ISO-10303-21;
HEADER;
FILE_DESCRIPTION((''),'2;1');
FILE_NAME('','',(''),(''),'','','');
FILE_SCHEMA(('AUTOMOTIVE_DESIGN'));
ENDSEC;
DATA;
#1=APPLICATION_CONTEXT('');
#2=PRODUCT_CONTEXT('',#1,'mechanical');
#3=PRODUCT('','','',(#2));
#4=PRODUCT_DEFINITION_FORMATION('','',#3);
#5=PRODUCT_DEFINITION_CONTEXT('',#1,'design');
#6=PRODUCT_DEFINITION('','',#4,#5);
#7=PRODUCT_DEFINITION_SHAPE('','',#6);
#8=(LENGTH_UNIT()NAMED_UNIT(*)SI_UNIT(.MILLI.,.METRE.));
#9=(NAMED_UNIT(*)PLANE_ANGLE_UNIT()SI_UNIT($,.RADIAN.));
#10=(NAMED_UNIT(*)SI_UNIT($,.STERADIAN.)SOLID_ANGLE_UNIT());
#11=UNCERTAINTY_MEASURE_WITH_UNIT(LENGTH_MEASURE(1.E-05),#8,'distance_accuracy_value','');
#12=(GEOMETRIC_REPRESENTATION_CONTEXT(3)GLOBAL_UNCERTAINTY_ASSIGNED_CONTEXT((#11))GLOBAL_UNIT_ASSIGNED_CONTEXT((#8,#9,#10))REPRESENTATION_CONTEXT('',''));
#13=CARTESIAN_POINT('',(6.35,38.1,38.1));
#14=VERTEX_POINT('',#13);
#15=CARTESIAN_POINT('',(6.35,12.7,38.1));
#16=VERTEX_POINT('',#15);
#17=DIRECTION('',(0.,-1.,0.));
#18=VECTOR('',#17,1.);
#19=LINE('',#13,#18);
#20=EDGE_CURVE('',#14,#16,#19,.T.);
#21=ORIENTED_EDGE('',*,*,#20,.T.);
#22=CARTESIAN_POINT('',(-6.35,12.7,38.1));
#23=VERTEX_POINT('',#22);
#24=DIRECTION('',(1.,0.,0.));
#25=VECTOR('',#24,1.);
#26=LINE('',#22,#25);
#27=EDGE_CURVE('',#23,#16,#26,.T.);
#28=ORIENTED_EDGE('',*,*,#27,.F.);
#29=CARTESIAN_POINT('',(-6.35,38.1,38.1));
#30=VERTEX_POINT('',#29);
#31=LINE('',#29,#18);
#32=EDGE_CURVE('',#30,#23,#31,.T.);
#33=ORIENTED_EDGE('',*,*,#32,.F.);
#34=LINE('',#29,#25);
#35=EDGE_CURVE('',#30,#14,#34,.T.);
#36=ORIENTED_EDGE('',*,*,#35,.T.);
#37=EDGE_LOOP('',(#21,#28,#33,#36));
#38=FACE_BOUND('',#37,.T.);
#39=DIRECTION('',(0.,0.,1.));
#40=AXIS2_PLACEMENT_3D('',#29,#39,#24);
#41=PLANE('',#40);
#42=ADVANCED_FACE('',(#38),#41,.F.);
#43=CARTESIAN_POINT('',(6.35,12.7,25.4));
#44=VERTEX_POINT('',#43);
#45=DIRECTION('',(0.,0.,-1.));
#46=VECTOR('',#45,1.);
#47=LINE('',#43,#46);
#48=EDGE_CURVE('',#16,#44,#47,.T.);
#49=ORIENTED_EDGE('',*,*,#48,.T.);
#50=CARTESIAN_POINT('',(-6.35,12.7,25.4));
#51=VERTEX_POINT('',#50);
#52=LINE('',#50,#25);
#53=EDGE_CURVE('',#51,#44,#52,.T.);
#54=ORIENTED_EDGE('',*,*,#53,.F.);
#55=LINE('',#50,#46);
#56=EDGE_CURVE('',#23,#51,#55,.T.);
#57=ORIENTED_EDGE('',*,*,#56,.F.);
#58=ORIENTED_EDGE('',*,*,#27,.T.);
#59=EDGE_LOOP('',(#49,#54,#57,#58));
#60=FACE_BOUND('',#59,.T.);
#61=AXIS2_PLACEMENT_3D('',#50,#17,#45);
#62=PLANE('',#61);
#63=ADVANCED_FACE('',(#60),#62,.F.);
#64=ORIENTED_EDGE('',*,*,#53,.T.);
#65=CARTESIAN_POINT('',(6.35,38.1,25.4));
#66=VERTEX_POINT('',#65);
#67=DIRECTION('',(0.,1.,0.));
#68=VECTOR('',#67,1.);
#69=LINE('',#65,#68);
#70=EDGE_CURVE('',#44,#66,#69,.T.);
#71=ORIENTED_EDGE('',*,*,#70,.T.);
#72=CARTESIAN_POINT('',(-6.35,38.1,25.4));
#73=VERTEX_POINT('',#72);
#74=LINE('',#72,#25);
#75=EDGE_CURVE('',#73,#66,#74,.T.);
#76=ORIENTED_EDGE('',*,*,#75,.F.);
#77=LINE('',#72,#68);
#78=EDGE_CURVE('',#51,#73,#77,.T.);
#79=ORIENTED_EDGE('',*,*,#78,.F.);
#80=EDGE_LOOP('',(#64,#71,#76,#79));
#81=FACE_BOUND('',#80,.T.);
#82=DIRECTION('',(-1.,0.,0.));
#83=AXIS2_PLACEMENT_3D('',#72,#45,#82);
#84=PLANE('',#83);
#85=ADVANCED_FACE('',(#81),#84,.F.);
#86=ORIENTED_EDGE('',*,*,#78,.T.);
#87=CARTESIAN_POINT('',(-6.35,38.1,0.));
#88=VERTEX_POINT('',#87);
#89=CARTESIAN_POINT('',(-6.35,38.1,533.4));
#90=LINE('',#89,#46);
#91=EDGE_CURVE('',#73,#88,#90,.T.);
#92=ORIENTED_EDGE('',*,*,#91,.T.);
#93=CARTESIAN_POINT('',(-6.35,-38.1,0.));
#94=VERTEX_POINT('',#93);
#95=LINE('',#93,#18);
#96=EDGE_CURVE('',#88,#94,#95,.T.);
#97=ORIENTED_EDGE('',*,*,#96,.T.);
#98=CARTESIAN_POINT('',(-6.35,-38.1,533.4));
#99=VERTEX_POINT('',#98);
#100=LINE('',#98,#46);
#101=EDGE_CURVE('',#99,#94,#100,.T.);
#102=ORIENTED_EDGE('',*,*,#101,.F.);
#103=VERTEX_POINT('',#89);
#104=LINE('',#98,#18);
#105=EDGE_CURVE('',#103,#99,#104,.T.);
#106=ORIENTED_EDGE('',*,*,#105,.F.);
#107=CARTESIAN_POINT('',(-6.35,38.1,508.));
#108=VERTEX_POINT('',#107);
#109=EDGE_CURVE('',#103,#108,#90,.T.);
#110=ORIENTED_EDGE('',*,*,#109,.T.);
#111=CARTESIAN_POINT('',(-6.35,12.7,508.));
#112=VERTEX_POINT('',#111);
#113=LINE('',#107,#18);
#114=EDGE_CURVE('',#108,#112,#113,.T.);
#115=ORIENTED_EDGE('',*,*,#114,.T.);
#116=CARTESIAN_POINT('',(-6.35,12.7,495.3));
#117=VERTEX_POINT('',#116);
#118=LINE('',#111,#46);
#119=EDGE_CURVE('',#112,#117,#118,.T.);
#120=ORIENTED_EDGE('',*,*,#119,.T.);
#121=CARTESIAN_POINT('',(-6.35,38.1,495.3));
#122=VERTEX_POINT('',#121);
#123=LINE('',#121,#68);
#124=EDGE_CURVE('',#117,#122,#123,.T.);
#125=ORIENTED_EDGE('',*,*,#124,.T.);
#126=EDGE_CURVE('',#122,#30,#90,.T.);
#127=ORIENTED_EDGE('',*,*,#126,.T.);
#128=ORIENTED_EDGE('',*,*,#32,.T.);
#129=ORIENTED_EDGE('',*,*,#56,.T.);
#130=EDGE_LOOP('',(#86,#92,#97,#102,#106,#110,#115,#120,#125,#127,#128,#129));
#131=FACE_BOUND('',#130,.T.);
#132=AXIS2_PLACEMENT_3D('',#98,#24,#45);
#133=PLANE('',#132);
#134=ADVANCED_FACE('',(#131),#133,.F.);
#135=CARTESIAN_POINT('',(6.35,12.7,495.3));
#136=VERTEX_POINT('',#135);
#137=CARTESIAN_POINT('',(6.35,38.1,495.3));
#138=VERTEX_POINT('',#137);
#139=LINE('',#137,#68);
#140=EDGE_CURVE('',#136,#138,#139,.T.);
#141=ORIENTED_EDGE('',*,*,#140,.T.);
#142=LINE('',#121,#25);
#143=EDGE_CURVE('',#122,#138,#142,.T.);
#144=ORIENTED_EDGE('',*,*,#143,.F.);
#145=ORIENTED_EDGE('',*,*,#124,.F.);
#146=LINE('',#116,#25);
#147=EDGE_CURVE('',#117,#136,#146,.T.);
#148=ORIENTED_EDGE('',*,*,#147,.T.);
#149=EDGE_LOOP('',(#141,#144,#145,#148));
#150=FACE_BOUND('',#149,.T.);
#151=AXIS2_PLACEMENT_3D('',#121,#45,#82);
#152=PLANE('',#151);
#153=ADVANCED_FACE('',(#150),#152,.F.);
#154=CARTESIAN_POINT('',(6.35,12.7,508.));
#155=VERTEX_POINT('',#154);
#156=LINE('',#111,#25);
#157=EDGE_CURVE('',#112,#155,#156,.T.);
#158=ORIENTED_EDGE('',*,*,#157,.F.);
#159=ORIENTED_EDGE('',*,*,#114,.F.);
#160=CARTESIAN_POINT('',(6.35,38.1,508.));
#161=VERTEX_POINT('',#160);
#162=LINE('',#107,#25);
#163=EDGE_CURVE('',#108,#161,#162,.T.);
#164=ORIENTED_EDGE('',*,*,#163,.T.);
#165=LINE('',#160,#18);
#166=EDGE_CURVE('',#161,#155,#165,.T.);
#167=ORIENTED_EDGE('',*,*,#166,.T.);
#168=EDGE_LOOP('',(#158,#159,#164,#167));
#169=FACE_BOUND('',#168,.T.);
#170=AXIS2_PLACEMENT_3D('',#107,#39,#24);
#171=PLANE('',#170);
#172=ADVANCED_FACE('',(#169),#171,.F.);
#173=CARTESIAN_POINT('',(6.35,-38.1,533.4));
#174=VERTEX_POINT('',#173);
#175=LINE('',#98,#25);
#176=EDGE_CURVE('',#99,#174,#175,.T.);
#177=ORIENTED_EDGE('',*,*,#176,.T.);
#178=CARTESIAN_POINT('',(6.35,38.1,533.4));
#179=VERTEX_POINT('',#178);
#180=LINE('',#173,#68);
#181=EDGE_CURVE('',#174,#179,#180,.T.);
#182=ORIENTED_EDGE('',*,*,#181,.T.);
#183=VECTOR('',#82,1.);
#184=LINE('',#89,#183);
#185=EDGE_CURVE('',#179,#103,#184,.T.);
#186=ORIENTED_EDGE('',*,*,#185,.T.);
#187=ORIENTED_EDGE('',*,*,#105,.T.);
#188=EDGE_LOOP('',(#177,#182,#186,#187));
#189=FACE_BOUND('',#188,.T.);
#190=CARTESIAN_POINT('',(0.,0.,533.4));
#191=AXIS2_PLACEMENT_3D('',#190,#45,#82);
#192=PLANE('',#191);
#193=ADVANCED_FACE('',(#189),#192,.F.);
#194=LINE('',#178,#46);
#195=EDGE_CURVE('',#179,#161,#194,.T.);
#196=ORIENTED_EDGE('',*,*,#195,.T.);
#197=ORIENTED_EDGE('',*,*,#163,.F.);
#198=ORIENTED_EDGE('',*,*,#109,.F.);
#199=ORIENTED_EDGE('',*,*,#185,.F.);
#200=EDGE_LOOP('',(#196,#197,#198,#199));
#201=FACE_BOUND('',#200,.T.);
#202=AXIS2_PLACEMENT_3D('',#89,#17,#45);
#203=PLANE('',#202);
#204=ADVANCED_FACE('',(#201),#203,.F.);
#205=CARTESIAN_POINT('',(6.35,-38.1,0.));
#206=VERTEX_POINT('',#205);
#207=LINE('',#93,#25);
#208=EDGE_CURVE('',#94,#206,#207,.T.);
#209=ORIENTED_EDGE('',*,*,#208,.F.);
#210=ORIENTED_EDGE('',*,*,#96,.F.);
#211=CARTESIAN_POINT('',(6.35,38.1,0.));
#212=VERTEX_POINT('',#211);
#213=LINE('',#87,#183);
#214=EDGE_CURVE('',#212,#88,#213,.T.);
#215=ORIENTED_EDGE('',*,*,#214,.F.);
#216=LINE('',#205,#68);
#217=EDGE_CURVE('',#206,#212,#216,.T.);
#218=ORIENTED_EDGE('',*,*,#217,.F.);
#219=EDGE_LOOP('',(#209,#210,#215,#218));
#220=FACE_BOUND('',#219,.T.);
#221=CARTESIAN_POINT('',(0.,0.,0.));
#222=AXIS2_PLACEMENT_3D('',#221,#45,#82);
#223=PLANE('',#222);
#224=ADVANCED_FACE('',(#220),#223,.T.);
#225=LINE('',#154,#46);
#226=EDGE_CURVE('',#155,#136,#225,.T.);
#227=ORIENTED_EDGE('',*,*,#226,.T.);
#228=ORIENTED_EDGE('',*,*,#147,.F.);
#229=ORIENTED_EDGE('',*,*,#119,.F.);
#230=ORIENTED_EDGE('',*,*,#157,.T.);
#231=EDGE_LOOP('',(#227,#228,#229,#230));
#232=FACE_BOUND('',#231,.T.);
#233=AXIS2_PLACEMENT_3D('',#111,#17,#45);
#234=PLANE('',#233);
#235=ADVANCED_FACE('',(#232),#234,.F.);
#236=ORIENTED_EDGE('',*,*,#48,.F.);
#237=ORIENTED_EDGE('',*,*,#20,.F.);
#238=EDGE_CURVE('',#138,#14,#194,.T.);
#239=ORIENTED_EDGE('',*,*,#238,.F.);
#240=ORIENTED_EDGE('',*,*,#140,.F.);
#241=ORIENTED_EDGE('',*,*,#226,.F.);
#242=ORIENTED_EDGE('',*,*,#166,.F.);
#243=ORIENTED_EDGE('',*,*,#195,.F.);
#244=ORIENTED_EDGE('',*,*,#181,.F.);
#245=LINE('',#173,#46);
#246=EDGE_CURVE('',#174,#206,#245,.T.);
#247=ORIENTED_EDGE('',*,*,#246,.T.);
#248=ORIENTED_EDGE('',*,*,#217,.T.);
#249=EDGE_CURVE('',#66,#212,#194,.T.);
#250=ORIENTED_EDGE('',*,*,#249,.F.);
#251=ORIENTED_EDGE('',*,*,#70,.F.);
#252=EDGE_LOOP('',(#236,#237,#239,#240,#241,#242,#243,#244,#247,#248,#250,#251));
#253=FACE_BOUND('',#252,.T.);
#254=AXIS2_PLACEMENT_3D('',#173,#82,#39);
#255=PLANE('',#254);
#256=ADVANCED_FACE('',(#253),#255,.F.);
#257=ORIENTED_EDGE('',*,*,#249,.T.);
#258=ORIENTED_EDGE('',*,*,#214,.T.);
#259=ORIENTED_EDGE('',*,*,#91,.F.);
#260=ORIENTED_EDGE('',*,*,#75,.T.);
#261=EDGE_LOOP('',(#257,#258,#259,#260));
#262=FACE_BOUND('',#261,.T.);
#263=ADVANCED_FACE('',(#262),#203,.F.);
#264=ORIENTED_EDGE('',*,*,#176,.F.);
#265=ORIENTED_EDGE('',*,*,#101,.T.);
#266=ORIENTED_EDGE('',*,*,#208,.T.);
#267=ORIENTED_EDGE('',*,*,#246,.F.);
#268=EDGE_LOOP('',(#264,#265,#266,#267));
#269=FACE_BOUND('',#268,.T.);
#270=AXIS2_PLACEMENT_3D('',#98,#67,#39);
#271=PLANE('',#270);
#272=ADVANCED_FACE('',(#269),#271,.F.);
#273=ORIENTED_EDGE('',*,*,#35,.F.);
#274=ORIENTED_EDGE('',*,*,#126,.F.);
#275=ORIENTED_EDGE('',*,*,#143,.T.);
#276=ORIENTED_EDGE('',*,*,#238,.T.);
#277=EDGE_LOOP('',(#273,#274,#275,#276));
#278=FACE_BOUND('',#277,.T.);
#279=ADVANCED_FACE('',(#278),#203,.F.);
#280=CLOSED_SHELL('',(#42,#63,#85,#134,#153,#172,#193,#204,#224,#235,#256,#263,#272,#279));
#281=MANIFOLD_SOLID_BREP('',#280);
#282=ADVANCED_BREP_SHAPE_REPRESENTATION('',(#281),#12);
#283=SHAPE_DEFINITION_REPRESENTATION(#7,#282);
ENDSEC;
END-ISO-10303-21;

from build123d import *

# Parameters (mm, degrees)
SKETCH1_W           = 12.7
SKETCH1_H           = 76.2
BOSS_EXTRUDE1_DEPTH = 533.4
SKETCH2_W           = 12.7
SKETCH2_H           = 25.4
CUT_EXTRUDE1_DEPTH  = 13.7


with BuildPart() as part:
    # Sketch1 → Boss-Extrude1 (new body)
    with BuildSketch(Plane.XY):
        Rectangle(SKETCH1_W, SKETCH1_H)
    extrude(amount=BOSS_EXTRUDE1_DEPTH)

    # Sketch2 → Cut-Extrude1 (cut, through all)
    with BuildSketch(Plane(origin=(6.35, 0, 0), x_dir=(0, 0, -1), z_dir=(1, 0, 0))):
        with Locations((-501.65, 25.4)):
            Rectangle(SKETCH2_W, SKETCH2_H)
        with Locations((-31.75, 25.4)):
            Rectangle(SKETCH2_W, SKETCH2_H)
    extrude(amount=-CUT_EXTRUDE1_DEPTH, mode=Mode.SUBTRACT)


solid = part.part
